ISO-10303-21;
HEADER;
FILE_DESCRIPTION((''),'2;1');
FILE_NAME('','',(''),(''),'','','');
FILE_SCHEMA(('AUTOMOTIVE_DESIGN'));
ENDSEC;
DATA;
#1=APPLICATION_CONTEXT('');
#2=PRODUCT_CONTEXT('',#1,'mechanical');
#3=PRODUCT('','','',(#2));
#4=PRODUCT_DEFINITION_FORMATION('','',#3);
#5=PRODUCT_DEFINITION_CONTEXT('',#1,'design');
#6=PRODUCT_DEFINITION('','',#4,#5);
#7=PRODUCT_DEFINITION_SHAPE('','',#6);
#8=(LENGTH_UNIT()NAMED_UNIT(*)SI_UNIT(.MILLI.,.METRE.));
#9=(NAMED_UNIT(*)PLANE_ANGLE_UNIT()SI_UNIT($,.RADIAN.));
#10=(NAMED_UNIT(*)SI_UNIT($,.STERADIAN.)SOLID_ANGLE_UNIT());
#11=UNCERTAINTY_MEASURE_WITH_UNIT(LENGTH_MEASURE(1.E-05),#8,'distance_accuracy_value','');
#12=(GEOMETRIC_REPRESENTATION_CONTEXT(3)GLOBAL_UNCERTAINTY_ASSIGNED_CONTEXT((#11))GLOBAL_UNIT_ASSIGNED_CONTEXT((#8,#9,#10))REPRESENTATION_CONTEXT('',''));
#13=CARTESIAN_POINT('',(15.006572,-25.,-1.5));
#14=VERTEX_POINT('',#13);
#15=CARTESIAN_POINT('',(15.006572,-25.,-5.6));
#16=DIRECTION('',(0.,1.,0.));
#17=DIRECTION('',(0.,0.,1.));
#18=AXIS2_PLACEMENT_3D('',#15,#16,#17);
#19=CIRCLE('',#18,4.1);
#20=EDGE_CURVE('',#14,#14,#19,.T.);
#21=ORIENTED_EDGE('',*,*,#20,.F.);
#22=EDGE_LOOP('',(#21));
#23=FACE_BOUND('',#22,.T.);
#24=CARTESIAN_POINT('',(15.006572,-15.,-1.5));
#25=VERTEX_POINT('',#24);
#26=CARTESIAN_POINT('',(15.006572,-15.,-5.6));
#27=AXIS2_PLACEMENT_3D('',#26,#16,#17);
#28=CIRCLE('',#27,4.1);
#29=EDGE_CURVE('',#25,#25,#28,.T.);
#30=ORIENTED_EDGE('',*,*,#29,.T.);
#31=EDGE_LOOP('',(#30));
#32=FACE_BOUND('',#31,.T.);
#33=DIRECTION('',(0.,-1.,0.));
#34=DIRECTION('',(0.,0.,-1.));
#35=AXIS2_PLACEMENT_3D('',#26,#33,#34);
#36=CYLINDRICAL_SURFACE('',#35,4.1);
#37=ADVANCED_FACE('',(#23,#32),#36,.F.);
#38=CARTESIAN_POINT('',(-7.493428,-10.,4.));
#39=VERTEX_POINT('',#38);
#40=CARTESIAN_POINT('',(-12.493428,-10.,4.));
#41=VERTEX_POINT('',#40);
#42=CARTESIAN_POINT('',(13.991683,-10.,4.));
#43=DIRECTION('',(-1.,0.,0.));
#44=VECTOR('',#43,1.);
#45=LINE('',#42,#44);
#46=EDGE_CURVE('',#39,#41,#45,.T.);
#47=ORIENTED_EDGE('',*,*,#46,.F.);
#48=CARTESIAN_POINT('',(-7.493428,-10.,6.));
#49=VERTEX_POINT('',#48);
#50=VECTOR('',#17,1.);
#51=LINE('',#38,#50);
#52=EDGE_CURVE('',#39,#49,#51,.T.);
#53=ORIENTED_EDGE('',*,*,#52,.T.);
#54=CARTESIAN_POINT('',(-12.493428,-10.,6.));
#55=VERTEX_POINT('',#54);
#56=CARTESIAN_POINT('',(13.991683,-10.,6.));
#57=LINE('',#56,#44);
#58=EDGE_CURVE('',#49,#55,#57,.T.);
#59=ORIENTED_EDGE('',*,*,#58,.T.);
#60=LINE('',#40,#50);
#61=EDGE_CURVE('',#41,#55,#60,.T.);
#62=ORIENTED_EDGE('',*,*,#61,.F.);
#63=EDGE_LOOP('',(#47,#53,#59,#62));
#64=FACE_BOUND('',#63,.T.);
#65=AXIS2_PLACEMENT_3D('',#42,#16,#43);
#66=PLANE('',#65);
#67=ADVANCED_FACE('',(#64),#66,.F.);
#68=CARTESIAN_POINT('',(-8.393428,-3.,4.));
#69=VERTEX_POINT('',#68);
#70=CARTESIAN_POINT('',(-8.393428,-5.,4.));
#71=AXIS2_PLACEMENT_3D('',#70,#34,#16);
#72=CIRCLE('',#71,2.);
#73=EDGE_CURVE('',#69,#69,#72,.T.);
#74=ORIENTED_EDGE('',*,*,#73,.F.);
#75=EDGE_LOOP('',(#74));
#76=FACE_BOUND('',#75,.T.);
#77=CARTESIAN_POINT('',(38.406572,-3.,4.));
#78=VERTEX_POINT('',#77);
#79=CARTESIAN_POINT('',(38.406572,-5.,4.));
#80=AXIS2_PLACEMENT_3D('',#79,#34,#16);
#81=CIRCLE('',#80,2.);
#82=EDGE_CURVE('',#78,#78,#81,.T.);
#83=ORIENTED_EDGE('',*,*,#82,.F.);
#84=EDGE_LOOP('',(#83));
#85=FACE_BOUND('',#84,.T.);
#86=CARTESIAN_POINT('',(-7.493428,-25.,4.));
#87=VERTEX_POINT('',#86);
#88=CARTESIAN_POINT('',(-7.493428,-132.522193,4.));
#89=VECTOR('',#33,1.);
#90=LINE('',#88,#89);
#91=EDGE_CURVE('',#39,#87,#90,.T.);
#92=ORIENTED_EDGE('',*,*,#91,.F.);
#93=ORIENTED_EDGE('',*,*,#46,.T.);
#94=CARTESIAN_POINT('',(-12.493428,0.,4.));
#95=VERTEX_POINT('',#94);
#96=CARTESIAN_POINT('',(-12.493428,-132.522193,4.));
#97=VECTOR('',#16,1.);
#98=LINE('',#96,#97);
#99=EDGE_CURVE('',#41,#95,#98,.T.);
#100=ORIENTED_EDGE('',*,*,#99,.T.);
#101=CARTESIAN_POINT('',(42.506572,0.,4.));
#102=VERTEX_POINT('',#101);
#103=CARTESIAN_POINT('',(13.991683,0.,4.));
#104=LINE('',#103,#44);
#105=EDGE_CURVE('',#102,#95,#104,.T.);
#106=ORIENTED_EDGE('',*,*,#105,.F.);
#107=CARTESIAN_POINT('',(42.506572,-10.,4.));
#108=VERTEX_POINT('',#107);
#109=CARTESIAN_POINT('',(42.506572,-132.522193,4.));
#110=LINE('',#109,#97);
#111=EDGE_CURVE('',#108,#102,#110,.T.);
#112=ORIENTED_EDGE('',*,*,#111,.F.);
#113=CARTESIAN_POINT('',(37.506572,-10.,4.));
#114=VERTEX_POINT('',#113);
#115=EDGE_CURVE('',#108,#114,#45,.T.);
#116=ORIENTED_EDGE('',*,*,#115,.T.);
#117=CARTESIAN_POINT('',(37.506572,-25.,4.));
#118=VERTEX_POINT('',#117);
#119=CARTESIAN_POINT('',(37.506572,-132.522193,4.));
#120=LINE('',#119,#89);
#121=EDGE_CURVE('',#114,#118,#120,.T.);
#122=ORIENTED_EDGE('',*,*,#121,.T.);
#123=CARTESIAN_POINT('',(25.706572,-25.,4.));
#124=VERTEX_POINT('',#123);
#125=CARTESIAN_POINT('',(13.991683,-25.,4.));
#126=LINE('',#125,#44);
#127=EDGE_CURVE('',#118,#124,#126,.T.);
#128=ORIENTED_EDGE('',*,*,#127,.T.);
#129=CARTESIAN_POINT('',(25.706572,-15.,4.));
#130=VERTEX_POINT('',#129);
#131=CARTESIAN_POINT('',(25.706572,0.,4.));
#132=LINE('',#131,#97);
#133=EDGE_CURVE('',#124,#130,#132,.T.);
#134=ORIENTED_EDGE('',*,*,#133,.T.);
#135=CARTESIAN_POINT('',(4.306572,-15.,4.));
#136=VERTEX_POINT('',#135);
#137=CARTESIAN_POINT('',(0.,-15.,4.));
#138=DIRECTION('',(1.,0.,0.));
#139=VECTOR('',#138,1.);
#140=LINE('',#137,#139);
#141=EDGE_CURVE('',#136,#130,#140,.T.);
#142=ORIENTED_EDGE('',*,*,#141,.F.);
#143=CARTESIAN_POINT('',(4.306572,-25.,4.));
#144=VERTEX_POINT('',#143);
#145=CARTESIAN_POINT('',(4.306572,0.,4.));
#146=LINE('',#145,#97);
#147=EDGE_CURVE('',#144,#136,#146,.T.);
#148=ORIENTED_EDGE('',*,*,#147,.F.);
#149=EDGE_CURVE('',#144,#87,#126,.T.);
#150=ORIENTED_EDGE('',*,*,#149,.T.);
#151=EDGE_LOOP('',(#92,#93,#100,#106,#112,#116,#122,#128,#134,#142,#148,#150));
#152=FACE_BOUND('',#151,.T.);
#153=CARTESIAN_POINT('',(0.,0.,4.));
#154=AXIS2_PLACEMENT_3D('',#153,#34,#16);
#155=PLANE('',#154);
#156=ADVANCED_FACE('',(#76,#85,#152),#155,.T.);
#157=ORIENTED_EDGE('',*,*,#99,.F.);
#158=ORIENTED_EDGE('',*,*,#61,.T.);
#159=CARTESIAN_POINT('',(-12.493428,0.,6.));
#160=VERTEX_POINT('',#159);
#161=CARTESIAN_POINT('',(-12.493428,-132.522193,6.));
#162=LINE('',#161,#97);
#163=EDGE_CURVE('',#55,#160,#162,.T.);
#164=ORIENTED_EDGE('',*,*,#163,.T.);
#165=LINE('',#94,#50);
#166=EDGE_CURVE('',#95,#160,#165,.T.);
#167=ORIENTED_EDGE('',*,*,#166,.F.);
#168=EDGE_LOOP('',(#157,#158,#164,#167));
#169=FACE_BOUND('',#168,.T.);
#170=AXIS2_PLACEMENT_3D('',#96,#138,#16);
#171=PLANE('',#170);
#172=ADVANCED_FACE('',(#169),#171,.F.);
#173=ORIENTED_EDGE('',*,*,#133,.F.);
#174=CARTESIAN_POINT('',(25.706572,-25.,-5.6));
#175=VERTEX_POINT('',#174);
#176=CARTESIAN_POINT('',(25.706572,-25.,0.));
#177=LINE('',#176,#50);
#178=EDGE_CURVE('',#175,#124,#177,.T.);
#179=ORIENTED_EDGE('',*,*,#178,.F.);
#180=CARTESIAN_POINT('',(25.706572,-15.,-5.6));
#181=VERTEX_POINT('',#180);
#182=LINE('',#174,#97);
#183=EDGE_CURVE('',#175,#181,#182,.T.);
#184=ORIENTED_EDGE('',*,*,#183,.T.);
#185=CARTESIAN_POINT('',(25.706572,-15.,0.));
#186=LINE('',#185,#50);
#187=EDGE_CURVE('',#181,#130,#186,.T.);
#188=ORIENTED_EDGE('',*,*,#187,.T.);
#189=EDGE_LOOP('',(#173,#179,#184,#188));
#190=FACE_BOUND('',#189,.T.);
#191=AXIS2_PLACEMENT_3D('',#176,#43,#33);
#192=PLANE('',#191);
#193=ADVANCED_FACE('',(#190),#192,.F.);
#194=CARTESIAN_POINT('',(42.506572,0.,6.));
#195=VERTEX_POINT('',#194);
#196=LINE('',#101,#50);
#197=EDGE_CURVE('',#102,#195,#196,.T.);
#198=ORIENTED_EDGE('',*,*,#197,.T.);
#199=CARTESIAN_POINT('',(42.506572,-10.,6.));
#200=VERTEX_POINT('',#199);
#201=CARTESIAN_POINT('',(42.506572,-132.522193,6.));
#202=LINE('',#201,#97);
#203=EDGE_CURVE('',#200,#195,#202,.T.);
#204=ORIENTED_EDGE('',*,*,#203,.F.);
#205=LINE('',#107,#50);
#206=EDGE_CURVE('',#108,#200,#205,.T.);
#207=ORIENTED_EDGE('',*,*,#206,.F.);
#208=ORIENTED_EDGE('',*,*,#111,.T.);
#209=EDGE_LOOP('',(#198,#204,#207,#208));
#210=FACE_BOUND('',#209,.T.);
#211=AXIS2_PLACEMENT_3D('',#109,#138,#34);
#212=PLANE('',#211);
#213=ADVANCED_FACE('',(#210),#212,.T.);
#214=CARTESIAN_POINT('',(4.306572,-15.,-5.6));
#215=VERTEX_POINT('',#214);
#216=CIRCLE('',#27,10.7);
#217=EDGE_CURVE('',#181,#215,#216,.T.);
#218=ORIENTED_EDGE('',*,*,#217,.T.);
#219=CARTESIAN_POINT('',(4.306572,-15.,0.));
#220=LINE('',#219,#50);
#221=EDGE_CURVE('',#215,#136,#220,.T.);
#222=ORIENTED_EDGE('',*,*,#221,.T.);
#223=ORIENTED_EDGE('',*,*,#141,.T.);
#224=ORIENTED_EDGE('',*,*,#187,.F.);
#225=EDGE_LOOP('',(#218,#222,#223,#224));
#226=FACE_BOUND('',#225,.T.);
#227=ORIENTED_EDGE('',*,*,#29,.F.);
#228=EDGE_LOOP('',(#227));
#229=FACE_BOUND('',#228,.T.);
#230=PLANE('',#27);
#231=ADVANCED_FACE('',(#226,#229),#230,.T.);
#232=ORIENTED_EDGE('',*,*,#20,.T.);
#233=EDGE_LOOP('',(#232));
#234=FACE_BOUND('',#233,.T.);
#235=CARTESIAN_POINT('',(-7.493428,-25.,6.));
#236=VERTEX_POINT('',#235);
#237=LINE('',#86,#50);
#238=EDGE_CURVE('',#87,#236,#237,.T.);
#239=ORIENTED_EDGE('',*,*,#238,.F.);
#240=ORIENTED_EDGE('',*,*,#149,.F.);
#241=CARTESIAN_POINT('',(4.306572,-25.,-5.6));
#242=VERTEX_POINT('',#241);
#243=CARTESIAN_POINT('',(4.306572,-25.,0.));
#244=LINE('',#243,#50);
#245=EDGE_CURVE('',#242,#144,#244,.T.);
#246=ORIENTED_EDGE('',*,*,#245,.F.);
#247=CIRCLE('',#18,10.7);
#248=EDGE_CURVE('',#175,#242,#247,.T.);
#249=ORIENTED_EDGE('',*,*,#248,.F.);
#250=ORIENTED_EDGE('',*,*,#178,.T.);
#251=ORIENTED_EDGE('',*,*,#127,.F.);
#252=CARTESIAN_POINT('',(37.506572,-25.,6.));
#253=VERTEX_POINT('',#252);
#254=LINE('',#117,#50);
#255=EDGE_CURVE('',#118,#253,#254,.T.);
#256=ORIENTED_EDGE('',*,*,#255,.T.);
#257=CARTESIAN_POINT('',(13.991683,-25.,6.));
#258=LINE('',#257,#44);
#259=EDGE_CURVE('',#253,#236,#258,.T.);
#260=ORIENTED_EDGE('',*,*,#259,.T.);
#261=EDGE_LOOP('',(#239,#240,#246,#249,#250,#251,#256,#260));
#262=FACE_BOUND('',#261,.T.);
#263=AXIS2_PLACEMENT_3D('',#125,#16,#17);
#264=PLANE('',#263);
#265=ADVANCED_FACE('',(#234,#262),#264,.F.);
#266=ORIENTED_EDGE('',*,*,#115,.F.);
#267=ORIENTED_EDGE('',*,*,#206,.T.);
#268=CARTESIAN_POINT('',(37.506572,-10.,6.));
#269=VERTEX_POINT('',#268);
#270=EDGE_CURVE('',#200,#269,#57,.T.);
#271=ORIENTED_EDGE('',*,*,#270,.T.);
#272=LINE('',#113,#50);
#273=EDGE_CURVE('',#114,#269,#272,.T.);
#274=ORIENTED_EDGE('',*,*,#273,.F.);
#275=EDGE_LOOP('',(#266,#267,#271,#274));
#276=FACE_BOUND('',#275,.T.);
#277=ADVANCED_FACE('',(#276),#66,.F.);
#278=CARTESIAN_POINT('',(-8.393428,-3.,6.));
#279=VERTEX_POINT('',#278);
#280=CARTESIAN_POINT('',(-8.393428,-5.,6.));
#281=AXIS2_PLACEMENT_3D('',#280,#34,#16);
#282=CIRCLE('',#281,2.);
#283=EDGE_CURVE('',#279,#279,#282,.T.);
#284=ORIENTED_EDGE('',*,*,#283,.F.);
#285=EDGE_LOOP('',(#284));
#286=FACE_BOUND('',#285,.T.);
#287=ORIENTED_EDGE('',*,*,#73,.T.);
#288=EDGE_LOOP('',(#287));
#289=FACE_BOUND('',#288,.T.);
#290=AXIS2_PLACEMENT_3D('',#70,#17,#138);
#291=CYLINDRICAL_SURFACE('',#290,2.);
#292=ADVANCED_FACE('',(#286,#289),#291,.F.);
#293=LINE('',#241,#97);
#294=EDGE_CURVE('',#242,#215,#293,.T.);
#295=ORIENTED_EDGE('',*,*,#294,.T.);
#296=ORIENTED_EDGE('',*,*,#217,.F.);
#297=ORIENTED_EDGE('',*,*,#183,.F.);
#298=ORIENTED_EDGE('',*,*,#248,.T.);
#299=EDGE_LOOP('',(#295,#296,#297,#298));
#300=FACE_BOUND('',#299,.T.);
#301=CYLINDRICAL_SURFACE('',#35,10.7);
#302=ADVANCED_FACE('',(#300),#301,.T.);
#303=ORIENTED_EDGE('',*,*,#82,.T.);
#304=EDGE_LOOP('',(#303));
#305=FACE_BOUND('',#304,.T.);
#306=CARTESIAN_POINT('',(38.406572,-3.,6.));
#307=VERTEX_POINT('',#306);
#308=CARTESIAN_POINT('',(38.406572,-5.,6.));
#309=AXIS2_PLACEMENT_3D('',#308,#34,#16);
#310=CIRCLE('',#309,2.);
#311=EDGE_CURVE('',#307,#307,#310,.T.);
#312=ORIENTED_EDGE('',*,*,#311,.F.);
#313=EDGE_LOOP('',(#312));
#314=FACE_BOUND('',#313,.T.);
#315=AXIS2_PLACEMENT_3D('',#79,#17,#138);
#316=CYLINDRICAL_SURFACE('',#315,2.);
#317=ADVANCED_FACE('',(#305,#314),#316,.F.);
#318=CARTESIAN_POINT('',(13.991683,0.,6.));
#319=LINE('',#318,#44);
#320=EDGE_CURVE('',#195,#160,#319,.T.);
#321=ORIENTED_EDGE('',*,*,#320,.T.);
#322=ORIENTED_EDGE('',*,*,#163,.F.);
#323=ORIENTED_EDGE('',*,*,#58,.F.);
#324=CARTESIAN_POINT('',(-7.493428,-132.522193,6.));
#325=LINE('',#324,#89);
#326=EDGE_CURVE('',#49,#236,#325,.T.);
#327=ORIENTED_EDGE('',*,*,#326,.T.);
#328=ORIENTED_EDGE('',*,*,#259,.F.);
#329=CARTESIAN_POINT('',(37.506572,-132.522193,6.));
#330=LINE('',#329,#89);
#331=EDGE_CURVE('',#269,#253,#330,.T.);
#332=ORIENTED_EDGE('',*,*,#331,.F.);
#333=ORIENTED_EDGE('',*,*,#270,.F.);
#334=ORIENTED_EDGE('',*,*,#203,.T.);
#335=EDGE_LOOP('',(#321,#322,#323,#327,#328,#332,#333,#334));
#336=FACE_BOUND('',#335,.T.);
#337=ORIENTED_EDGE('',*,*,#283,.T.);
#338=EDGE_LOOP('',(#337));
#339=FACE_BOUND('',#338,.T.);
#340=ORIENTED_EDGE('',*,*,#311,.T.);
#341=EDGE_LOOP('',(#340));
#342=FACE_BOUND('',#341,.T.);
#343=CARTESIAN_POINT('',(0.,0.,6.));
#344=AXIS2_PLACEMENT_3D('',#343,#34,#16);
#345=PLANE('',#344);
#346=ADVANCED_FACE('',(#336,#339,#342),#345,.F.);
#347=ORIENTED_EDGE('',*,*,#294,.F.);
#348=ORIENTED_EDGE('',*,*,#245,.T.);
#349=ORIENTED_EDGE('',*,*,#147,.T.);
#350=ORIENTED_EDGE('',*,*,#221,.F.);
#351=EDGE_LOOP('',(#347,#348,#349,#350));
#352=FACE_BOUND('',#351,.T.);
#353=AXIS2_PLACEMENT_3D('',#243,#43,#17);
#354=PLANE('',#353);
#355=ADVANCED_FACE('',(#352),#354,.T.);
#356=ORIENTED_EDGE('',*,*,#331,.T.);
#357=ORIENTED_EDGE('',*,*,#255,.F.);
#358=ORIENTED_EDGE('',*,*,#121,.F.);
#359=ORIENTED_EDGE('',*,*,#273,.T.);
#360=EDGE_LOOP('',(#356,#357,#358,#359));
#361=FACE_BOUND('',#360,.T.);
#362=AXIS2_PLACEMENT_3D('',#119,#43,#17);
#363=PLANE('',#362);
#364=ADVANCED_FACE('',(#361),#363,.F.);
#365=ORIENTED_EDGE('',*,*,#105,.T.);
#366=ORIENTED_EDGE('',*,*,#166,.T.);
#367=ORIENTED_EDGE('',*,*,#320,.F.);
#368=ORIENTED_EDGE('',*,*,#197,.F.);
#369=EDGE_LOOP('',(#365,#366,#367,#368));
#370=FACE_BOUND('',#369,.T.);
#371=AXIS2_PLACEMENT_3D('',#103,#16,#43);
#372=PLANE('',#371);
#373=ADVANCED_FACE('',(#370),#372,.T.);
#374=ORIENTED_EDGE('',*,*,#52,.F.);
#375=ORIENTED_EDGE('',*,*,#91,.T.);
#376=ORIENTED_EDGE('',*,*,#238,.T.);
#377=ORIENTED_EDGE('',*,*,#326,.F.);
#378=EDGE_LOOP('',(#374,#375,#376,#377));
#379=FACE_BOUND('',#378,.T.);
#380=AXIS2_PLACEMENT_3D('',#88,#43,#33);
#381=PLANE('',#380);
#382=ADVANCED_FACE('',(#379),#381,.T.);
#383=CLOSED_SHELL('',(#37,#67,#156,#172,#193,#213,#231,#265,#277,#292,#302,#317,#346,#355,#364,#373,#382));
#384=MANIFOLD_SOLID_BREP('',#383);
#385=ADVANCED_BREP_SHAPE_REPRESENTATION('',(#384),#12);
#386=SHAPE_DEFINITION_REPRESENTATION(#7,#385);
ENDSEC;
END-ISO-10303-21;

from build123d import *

# Parameters (mm, degrees)
BOSS_EXTRUDE1_START = 4
SKETCH1_W           = 45
SKETCH1_H           = 15
SKETCH1_W_2         = 55
SKETCH1_H_2         = 10
SKETCH1_R           = 2
BOSS_EXTRUDE1_DEPTH = 2
SKETCH2_R           = 10.7
SKETCH2_R_2         = 4.1
BOSS_EXTRUDE2_DEPTH = 10
BOSS_EXTRUDE3_START = -10
BOSS_EXTRUDE3_DEPTH = 10


with BuildPart() as part:
    # Sketch1 → Boss-Extrude1 (new body)
    # profile 1 of 2: a face of its own
    with BuildSketch(Plane.XY.offset(BOSS_EXTRUDE1_START)):
        with Locations((15.006572053, -17.5)):
            Rectangle(SKETCH1_W, SKETCH1_H)
    # profile 2 of 2: a face of its own
    with BuildSketch(Plane.XY.offset(BOSS_EXTRUDE1_START)):
        with Locations((15.006572053, -5)):
            Rectangle(SKETCH1_W_2, SKETCH1_H_2)
        with Locations(Location((-8.393427947, -5, 0), (0, 0, 90))):
            Circle(SKETCH1_R, mode=Mode.SUBTRACT)
        with Locations(Location((38.406572053, -5, 0), (0, 0, 90))):
            Circle(SKETCH1_R, mode=Mode.SUBTRACT)
    extrude(amount=BOSS_EXTRUDE1_DEPTH)

    # Sketch2 → Boss-Extrude2 (add)
    with BuildSketch(Plane(origin=(0, -25, 0), x_dir=(1, 0, 0), z_dir=(0, 1, 0))):
        with Locations((15.006572053, 5.6)):
            Circle(SKETCH2_R)
        with Locations(Location((15.006572053, 5.6, 0), (0, 0, 270))):
            Circle(SKETCH2_R_2, mode=Mode.SUBTRACT)
    extrude(amount=BOSS_EXTRUDE2_DEPTH)

    # Sketch3 → Boss-Extrude3 (add)
    with BuildSketch(Plane(origin=(0, -15, 0), x_dir=(1, 0, 0), z_dir=(0, 1, 0)).offset(BOSS_EXTRUDE3_START)):
        with BuildLine():
            Line((25.706572053, 5.6), (19.106572053, 5.6))
            ThreePointArc((19.106572053, 5.6), (15.006572053, 1.5), (10.906572053, 5.6))
            Line((10.906572053, 5.6), (4.306572053, 5.6))
            ThreePointArc((4.306572053, 5.6), (5.922177371, -0.053651322), (10.281109113, -4))
            Line((10.281109113, -4), (19.732034993, -4))
            ThreePointArc((19.732034993, -4), (24.090966734, -0.053651322), (25.706572053, 5.6))
        make_face()
        with BuildLine():
            Line((25.706572053, -6), (25.706572053, 5.6))
            ThreePointArc((25.706572053, 5.6), (24.090966734, -0.053651322), (19.732034993, -4))
            Line((19.732034993, -4), (10.281109113, -4))
            ThreePointArc((10.281109113, -4), (5.922177371, -0.053651322), (4.306572053, 5.6))
            Line((4.306572053, 5.6), (4.306572053, -6))
            Line((4.306572053, -6), (25.706572053, -6))
        make_face()
    extrude(amount=BOSS_EXTRUDE3_DEPTH)


solid = part.part
